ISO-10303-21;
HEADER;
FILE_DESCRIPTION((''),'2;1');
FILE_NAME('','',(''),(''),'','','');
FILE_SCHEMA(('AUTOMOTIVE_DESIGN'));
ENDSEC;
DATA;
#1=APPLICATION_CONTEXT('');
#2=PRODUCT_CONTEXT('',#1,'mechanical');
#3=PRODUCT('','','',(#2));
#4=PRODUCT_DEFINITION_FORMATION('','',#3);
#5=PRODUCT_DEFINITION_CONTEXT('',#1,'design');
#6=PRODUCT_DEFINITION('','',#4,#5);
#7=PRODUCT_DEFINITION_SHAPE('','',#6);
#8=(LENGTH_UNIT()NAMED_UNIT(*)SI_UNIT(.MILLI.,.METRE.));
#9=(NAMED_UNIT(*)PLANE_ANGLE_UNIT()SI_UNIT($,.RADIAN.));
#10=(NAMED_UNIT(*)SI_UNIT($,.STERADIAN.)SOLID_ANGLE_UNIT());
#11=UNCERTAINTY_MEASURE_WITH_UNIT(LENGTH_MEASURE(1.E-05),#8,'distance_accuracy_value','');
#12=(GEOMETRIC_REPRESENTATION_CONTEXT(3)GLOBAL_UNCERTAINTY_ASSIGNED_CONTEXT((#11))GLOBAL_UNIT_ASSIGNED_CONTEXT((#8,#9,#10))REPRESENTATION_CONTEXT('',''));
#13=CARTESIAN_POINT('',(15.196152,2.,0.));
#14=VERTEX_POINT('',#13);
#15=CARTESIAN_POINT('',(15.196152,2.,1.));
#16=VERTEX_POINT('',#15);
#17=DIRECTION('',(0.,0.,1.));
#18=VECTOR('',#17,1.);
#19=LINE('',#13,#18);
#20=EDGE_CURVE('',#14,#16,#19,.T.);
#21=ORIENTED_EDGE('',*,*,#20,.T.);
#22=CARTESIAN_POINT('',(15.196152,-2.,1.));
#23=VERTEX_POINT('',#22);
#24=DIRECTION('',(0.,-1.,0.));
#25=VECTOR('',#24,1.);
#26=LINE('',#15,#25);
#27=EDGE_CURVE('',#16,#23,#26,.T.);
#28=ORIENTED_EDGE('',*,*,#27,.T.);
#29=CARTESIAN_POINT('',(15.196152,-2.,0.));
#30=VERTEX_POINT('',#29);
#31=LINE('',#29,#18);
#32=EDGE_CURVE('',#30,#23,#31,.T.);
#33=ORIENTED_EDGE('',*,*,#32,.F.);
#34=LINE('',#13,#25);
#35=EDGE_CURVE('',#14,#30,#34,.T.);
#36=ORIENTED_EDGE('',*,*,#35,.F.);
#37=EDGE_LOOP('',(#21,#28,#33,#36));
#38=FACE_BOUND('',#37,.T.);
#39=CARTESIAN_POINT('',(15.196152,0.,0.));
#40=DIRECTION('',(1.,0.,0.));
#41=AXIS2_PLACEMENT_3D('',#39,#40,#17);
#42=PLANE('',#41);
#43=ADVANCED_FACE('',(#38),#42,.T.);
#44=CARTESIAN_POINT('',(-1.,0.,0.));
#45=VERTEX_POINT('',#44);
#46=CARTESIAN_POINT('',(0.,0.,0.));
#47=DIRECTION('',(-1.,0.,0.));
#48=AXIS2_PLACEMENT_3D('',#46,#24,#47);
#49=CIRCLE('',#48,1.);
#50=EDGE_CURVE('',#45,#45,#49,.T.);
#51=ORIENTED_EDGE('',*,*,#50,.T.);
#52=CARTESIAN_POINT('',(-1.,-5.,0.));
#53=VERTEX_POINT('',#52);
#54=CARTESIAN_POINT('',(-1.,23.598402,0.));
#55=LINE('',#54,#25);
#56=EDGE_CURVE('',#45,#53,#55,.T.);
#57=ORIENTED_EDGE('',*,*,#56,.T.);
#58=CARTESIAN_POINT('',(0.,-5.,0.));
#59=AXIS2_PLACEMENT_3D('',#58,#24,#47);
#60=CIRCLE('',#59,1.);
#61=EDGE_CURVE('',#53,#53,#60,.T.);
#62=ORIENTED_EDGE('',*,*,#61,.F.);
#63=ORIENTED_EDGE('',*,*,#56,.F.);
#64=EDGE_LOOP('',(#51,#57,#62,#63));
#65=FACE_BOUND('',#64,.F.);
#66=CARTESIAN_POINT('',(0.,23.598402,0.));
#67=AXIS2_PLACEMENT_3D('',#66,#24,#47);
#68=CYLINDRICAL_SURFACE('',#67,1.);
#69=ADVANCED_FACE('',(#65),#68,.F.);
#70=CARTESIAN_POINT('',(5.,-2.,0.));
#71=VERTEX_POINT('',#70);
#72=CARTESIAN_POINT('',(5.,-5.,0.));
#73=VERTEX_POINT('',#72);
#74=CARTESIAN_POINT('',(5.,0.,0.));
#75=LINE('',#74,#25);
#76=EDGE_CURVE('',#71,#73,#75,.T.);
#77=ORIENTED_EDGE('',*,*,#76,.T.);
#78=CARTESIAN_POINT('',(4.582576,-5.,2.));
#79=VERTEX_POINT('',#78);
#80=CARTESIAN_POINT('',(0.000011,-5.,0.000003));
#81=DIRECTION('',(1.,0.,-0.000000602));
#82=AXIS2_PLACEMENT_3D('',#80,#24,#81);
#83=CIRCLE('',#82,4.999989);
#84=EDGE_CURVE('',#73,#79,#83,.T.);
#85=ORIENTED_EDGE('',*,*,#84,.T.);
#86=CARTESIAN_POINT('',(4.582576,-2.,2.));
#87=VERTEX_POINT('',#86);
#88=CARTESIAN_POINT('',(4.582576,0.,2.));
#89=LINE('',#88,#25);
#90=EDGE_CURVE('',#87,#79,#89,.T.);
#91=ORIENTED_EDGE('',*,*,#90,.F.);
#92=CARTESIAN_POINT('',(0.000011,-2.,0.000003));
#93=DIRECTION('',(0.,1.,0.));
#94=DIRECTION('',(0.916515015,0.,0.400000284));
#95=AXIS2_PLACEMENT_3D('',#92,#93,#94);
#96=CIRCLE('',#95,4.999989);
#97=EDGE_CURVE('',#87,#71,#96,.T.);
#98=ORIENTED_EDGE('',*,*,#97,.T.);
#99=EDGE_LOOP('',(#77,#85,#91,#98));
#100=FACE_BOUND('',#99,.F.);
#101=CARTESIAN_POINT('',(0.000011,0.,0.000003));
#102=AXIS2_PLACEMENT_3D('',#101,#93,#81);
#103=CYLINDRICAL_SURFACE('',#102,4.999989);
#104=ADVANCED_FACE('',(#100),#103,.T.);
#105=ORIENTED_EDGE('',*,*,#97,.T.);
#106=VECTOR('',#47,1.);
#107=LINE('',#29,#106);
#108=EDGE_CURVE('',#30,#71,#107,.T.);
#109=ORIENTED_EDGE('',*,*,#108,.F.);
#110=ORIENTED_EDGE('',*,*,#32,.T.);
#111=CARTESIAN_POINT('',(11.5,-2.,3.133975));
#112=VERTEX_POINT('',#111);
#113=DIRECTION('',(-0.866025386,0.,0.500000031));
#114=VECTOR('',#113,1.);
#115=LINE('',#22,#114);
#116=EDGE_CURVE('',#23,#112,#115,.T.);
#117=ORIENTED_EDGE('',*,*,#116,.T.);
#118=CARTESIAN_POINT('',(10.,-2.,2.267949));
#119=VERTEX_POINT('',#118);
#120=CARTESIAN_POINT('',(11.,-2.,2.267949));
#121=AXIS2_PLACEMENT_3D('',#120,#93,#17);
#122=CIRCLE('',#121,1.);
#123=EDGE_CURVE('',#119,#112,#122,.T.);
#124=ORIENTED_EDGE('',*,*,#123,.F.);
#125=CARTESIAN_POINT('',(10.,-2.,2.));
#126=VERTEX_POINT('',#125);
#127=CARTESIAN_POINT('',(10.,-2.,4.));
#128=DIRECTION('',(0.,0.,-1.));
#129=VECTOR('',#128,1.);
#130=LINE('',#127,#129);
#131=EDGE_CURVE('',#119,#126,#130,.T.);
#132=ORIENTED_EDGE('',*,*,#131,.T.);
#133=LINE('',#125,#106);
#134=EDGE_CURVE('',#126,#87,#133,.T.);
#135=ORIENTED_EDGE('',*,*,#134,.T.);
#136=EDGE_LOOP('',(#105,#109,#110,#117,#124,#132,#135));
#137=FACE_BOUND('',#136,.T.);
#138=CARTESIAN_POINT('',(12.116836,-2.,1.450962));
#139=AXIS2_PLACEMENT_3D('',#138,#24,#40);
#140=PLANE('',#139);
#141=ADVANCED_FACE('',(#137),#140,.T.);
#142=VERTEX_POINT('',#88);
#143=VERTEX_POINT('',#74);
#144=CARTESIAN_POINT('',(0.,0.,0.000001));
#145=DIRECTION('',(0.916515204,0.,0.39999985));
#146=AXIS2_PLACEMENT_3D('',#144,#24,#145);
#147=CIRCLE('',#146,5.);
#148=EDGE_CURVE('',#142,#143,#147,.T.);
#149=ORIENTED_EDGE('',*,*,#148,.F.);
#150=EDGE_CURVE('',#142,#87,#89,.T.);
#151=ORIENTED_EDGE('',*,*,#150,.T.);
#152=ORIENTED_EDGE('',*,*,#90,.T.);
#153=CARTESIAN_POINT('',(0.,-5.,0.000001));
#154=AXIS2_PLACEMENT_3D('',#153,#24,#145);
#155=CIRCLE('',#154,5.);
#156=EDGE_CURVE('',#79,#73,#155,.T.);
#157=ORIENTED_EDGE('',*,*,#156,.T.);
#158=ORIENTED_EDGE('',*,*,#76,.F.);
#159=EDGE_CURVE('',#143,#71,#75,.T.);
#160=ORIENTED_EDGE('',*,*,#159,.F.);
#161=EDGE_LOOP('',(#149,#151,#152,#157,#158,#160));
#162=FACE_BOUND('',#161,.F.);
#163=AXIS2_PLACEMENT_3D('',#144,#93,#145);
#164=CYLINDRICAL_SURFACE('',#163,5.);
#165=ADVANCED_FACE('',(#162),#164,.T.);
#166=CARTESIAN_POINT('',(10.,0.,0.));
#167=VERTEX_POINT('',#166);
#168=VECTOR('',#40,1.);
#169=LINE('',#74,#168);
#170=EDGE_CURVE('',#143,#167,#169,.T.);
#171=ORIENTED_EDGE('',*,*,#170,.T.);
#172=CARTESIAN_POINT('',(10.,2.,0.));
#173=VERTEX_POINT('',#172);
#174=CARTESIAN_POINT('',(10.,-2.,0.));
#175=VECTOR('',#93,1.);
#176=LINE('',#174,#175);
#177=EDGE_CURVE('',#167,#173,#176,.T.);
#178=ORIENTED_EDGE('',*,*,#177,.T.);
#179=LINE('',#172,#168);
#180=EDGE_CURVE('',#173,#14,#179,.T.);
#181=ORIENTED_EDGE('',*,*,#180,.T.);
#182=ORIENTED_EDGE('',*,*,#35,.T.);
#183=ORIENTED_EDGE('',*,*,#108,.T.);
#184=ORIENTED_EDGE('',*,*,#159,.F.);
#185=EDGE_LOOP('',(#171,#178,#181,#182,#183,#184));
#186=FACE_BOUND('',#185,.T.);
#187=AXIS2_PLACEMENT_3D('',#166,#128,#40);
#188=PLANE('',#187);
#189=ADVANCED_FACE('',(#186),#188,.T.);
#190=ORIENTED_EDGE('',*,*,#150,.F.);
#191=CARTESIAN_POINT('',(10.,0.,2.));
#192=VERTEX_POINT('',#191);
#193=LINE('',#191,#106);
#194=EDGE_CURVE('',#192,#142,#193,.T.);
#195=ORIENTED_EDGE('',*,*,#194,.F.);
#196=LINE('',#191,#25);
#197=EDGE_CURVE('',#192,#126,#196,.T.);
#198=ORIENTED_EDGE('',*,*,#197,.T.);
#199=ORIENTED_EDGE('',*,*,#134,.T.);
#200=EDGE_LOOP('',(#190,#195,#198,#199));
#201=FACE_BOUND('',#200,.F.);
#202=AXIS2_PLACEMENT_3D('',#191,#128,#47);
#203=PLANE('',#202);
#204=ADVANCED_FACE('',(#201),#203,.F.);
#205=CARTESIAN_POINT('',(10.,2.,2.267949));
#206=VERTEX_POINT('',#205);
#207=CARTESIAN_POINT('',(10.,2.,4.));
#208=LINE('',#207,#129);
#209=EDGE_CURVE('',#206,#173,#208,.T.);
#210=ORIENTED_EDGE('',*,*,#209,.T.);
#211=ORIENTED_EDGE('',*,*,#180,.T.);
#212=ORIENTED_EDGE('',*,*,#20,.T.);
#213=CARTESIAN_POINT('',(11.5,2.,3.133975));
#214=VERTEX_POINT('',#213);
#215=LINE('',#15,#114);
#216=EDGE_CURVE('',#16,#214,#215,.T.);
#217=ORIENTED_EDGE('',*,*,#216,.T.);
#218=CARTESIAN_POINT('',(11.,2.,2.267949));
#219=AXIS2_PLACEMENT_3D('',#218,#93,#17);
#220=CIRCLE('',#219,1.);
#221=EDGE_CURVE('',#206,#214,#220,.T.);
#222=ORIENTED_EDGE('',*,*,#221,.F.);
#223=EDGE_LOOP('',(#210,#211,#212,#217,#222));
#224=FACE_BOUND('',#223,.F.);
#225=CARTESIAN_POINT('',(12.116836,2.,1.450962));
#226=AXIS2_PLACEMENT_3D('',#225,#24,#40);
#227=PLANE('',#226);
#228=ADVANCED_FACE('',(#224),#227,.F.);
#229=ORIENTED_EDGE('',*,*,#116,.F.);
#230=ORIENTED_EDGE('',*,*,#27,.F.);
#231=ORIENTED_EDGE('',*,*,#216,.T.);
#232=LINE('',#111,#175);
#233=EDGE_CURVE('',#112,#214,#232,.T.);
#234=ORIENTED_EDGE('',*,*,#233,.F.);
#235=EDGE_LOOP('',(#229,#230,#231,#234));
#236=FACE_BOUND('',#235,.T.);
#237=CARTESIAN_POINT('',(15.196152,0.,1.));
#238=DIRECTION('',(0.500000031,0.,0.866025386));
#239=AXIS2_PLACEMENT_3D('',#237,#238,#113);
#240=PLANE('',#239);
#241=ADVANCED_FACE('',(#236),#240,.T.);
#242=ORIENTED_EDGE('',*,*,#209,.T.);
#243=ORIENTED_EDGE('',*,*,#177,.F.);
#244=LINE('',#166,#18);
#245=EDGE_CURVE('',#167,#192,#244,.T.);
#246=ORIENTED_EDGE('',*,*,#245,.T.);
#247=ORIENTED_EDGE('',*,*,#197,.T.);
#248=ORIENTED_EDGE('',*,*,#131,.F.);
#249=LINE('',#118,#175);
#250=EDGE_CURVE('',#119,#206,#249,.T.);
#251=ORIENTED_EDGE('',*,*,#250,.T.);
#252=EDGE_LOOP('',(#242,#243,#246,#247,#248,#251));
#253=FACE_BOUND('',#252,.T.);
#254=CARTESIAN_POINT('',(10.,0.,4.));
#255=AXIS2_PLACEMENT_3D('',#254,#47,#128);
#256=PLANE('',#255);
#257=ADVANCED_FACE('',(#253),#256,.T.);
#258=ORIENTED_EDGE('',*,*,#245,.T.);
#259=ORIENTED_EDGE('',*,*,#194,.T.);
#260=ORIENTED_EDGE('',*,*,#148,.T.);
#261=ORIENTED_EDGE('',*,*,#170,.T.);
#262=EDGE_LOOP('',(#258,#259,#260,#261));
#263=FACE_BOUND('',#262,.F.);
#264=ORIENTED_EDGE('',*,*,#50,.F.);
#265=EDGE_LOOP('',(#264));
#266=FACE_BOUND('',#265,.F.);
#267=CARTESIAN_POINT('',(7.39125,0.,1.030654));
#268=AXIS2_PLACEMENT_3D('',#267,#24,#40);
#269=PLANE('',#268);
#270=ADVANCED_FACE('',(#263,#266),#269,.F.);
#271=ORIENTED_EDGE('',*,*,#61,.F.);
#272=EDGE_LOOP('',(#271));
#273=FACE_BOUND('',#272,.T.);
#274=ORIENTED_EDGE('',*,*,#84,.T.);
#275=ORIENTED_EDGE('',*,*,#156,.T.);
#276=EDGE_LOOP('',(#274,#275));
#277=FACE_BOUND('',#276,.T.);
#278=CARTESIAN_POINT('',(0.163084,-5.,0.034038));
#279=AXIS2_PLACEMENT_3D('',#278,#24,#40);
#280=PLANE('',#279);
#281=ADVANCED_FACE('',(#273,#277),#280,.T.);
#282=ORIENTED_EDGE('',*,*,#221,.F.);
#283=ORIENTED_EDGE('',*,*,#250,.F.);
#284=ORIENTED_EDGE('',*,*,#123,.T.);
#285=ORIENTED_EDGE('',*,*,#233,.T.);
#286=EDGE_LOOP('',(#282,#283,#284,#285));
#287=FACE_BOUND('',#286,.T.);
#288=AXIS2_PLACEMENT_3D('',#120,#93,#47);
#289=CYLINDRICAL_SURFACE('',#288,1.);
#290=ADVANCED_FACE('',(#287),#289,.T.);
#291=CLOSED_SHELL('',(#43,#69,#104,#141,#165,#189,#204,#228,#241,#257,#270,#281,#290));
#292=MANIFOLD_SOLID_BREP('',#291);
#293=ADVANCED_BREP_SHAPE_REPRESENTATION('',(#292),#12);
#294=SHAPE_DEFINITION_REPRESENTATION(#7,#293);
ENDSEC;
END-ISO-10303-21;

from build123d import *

# Parameters (mm, degrees)
F1_DEPTH = 5
F2_DEPTH = 2
F3_DEPTH = 2
F4_D     = 2
F5_R     = 1


with BuildPart() as f1:
    # F0 (on Front) → F1 (new body)
    with BuildSketch(Plane.XZ):
        with BuildLine():
            ThreePointArc((4.582576, 2), (-4.894532, -1.021548), (5, 0))
            ThreePointArc((5, 0), (4.894532, 1.021548), (4.582576, 2))
        make_face()
    extrude(amount=F1_DEPTH)

    # F0 (on Front) → F2 (join)
    with BuildSketch(Plane.XZ):
        with BuildLine():
            ThreePointArc((4.582576, 2), (4.894532, 1.021548), (5, 0))
            Line((5, 0), (10, 0))
            Line((10, 0), (10, 2))
            Line((10, 2), (4.582576, 2))
        make_face()
    extrude(amount=F2_DEPTH)

    # F0 (on Front) → F3 (join, symmetric)
    with BuildSketch(Plane.XZ):
        Polygon((10, 2), (10, 0), (15.196152, 0), (15.196152, 1), (10, 4), align=None)
    extrude(amount=F3_DEPTH, both=True)

    # F4 (through all)
    with Locations(Plane(origin=(0, 0, 0), x_dir=(1, 0, 0), z_dir=(0, 1, 0))):
        with Locations((0, 0)):
            Hole(F4_D / 2)

    # F5
    f5_edges = [f1.edges().sort_by_distance(p)[0] for p in [
        (10, 0, 4),
    ]]
    fillet(f5_edges, radius=F5_R)


solid = f1.part
